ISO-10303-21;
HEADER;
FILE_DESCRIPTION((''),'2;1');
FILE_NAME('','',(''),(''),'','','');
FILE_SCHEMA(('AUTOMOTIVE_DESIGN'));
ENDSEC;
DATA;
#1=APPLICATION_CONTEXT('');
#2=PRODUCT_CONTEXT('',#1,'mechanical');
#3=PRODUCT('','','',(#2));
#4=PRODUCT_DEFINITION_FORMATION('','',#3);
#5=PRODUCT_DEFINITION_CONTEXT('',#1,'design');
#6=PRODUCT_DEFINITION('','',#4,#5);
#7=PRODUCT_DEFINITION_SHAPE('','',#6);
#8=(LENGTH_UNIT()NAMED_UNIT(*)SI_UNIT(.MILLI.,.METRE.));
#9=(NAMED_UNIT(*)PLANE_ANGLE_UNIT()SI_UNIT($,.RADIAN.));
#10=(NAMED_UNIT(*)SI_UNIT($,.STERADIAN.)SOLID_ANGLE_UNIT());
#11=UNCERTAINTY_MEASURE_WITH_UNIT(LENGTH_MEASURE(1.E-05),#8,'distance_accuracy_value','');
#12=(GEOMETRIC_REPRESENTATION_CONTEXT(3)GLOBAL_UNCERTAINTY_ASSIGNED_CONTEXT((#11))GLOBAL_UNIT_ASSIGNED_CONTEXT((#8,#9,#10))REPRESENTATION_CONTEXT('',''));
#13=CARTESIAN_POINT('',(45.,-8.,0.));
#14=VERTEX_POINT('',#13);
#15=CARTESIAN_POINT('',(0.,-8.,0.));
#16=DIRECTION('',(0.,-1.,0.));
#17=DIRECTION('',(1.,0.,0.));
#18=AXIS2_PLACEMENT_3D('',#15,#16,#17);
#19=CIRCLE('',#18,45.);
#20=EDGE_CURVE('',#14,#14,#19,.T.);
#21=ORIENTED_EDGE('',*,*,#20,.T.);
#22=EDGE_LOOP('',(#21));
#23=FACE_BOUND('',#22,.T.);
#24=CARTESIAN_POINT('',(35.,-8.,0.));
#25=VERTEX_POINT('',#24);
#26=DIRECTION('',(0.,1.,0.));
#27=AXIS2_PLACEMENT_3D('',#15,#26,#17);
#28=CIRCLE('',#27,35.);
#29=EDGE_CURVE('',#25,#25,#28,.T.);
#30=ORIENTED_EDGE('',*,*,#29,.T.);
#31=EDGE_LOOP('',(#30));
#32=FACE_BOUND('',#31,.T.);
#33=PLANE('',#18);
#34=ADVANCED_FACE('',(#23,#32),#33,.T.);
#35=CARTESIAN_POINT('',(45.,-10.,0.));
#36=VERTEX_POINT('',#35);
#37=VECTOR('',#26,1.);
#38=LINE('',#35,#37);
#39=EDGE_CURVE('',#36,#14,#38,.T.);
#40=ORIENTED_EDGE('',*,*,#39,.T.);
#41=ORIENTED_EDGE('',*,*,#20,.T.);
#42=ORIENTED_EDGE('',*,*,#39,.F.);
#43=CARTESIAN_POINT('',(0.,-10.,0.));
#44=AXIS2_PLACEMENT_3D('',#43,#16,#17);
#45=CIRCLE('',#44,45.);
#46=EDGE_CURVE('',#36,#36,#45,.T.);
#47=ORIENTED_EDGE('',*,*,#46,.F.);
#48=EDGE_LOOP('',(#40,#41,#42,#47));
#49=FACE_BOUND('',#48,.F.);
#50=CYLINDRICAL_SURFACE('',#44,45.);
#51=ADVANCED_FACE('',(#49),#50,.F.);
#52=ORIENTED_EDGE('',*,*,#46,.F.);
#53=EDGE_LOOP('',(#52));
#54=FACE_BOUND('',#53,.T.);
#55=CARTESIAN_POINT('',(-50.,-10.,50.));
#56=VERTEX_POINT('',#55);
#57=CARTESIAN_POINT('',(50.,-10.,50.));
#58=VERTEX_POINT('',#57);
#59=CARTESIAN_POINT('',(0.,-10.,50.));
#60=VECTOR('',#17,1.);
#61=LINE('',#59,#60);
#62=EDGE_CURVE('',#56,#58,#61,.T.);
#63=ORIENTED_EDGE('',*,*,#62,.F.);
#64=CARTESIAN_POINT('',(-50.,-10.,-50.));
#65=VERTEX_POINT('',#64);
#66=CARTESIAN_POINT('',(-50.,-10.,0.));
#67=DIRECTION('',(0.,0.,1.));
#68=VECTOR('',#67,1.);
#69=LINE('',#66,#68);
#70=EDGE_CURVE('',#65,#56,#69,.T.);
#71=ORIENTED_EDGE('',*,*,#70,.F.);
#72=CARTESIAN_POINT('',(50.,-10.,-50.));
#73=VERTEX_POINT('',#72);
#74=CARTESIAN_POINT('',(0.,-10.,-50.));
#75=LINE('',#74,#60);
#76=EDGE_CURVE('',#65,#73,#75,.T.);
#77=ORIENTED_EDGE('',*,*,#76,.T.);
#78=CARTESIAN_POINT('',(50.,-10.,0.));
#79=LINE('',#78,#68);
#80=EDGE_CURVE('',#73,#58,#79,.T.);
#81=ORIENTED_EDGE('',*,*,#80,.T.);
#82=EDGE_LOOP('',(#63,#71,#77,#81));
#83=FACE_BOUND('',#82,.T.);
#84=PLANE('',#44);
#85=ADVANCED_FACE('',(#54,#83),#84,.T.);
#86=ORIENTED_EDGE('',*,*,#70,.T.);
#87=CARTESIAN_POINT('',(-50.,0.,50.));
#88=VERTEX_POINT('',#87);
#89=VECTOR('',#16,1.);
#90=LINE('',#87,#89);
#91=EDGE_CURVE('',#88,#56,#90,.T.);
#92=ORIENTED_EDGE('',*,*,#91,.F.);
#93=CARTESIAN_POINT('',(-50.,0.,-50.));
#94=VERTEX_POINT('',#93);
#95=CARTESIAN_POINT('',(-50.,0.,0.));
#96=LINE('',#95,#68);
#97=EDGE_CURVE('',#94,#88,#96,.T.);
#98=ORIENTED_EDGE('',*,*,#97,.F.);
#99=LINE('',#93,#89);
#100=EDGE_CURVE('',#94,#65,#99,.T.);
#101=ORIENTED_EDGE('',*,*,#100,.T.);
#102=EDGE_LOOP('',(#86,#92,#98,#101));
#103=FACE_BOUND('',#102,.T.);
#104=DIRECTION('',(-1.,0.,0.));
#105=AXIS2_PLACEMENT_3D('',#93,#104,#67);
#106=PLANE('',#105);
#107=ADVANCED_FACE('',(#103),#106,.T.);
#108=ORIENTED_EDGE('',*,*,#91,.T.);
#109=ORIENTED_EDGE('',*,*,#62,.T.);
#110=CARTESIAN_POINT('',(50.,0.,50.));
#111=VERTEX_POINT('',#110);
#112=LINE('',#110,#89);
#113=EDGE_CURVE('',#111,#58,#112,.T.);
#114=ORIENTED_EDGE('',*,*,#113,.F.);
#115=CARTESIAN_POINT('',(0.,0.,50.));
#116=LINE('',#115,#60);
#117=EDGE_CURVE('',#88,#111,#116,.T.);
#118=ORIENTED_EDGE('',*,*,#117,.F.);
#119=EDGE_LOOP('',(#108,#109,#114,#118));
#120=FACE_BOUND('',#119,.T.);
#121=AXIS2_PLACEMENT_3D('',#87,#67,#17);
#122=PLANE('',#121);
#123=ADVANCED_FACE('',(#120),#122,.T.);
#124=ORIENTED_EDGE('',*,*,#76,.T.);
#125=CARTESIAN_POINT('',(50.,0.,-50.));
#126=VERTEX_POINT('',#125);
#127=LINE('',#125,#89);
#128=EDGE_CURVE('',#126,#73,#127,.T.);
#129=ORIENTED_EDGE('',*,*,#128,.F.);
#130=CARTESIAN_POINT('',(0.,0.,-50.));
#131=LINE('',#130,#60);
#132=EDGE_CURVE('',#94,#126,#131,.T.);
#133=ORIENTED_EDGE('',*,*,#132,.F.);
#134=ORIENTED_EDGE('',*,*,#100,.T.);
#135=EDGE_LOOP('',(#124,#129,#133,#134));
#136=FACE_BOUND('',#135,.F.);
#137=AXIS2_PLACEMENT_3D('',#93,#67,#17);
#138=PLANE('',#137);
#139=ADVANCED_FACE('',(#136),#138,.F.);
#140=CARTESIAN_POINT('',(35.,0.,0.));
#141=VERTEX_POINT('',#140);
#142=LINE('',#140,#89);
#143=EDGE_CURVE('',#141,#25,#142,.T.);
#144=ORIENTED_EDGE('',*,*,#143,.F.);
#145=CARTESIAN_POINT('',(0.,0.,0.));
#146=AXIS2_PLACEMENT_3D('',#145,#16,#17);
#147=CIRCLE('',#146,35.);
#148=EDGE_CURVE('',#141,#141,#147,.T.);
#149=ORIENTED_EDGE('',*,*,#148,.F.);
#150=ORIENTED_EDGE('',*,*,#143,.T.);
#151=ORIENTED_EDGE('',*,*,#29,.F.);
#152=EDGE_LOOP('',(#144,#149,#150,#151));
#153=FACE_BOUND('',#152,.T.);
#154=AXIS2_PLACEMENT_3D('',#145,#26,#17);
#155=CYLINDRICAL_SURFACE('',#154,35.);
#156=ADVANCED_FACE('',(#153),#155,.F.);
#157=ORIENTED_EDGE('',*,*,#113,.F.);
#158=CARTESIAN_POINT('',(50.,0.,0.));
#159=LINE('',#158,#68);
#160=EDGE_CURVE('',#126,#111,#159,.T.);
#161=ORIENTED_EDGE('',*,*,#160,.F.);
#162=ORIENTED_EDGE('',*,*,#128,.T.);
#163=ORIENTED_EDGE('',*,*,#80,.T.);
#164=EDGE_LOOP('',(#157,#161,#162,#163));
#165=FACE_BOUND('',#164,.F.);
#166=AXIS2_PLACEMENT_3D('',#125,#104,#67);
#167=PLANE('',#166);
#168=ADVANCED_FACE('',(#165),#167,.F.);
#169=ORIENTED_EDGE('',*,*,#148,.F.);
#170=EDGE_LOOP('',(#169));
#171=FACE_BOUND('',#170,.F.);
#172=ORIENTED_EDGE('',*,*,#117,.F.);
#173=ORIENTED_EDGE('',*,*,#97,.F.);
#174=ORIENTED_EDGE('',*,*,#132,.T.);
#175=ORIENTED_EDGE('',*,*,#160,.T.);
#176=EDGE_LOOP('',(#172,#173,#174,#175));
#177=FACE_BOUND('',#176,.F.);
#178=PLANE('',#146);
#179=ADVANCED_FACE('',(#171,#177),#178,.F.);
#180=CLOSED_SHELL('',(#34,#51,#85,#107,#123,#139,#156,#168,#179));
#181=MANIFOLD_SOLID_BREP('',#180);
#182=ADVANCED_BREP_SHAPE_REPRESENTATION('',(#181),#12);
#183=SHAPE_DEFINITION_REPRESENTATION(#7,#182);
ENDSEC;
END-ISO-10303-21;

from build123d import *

# Parameters (mm, degrees)
F0_W     = 100
F0_H     = 100
F0_R     = 35
F1_DEPTH = 10
F2_R     = 45
F3_DEPTH = 2


with BuildPart() as f1:
    # F0 (on Front) → F1 (new body)
    with BuildSketch(Plane.XZ):
        Rectangle(F0_W, F0_H)
        Circle(F0_R, mode=Mode.SUBTRACT)
    extrude(amount=F1_DEPTH)

    # F2 (on face) → F3 (cut)
    with BuildSketch(Plane.XZ.offset(10)):
        Circle(F2_R)
    extrude(amount=-F3_DEPTH, mode=Mode.SUBTRACT)


solid = f1.part
